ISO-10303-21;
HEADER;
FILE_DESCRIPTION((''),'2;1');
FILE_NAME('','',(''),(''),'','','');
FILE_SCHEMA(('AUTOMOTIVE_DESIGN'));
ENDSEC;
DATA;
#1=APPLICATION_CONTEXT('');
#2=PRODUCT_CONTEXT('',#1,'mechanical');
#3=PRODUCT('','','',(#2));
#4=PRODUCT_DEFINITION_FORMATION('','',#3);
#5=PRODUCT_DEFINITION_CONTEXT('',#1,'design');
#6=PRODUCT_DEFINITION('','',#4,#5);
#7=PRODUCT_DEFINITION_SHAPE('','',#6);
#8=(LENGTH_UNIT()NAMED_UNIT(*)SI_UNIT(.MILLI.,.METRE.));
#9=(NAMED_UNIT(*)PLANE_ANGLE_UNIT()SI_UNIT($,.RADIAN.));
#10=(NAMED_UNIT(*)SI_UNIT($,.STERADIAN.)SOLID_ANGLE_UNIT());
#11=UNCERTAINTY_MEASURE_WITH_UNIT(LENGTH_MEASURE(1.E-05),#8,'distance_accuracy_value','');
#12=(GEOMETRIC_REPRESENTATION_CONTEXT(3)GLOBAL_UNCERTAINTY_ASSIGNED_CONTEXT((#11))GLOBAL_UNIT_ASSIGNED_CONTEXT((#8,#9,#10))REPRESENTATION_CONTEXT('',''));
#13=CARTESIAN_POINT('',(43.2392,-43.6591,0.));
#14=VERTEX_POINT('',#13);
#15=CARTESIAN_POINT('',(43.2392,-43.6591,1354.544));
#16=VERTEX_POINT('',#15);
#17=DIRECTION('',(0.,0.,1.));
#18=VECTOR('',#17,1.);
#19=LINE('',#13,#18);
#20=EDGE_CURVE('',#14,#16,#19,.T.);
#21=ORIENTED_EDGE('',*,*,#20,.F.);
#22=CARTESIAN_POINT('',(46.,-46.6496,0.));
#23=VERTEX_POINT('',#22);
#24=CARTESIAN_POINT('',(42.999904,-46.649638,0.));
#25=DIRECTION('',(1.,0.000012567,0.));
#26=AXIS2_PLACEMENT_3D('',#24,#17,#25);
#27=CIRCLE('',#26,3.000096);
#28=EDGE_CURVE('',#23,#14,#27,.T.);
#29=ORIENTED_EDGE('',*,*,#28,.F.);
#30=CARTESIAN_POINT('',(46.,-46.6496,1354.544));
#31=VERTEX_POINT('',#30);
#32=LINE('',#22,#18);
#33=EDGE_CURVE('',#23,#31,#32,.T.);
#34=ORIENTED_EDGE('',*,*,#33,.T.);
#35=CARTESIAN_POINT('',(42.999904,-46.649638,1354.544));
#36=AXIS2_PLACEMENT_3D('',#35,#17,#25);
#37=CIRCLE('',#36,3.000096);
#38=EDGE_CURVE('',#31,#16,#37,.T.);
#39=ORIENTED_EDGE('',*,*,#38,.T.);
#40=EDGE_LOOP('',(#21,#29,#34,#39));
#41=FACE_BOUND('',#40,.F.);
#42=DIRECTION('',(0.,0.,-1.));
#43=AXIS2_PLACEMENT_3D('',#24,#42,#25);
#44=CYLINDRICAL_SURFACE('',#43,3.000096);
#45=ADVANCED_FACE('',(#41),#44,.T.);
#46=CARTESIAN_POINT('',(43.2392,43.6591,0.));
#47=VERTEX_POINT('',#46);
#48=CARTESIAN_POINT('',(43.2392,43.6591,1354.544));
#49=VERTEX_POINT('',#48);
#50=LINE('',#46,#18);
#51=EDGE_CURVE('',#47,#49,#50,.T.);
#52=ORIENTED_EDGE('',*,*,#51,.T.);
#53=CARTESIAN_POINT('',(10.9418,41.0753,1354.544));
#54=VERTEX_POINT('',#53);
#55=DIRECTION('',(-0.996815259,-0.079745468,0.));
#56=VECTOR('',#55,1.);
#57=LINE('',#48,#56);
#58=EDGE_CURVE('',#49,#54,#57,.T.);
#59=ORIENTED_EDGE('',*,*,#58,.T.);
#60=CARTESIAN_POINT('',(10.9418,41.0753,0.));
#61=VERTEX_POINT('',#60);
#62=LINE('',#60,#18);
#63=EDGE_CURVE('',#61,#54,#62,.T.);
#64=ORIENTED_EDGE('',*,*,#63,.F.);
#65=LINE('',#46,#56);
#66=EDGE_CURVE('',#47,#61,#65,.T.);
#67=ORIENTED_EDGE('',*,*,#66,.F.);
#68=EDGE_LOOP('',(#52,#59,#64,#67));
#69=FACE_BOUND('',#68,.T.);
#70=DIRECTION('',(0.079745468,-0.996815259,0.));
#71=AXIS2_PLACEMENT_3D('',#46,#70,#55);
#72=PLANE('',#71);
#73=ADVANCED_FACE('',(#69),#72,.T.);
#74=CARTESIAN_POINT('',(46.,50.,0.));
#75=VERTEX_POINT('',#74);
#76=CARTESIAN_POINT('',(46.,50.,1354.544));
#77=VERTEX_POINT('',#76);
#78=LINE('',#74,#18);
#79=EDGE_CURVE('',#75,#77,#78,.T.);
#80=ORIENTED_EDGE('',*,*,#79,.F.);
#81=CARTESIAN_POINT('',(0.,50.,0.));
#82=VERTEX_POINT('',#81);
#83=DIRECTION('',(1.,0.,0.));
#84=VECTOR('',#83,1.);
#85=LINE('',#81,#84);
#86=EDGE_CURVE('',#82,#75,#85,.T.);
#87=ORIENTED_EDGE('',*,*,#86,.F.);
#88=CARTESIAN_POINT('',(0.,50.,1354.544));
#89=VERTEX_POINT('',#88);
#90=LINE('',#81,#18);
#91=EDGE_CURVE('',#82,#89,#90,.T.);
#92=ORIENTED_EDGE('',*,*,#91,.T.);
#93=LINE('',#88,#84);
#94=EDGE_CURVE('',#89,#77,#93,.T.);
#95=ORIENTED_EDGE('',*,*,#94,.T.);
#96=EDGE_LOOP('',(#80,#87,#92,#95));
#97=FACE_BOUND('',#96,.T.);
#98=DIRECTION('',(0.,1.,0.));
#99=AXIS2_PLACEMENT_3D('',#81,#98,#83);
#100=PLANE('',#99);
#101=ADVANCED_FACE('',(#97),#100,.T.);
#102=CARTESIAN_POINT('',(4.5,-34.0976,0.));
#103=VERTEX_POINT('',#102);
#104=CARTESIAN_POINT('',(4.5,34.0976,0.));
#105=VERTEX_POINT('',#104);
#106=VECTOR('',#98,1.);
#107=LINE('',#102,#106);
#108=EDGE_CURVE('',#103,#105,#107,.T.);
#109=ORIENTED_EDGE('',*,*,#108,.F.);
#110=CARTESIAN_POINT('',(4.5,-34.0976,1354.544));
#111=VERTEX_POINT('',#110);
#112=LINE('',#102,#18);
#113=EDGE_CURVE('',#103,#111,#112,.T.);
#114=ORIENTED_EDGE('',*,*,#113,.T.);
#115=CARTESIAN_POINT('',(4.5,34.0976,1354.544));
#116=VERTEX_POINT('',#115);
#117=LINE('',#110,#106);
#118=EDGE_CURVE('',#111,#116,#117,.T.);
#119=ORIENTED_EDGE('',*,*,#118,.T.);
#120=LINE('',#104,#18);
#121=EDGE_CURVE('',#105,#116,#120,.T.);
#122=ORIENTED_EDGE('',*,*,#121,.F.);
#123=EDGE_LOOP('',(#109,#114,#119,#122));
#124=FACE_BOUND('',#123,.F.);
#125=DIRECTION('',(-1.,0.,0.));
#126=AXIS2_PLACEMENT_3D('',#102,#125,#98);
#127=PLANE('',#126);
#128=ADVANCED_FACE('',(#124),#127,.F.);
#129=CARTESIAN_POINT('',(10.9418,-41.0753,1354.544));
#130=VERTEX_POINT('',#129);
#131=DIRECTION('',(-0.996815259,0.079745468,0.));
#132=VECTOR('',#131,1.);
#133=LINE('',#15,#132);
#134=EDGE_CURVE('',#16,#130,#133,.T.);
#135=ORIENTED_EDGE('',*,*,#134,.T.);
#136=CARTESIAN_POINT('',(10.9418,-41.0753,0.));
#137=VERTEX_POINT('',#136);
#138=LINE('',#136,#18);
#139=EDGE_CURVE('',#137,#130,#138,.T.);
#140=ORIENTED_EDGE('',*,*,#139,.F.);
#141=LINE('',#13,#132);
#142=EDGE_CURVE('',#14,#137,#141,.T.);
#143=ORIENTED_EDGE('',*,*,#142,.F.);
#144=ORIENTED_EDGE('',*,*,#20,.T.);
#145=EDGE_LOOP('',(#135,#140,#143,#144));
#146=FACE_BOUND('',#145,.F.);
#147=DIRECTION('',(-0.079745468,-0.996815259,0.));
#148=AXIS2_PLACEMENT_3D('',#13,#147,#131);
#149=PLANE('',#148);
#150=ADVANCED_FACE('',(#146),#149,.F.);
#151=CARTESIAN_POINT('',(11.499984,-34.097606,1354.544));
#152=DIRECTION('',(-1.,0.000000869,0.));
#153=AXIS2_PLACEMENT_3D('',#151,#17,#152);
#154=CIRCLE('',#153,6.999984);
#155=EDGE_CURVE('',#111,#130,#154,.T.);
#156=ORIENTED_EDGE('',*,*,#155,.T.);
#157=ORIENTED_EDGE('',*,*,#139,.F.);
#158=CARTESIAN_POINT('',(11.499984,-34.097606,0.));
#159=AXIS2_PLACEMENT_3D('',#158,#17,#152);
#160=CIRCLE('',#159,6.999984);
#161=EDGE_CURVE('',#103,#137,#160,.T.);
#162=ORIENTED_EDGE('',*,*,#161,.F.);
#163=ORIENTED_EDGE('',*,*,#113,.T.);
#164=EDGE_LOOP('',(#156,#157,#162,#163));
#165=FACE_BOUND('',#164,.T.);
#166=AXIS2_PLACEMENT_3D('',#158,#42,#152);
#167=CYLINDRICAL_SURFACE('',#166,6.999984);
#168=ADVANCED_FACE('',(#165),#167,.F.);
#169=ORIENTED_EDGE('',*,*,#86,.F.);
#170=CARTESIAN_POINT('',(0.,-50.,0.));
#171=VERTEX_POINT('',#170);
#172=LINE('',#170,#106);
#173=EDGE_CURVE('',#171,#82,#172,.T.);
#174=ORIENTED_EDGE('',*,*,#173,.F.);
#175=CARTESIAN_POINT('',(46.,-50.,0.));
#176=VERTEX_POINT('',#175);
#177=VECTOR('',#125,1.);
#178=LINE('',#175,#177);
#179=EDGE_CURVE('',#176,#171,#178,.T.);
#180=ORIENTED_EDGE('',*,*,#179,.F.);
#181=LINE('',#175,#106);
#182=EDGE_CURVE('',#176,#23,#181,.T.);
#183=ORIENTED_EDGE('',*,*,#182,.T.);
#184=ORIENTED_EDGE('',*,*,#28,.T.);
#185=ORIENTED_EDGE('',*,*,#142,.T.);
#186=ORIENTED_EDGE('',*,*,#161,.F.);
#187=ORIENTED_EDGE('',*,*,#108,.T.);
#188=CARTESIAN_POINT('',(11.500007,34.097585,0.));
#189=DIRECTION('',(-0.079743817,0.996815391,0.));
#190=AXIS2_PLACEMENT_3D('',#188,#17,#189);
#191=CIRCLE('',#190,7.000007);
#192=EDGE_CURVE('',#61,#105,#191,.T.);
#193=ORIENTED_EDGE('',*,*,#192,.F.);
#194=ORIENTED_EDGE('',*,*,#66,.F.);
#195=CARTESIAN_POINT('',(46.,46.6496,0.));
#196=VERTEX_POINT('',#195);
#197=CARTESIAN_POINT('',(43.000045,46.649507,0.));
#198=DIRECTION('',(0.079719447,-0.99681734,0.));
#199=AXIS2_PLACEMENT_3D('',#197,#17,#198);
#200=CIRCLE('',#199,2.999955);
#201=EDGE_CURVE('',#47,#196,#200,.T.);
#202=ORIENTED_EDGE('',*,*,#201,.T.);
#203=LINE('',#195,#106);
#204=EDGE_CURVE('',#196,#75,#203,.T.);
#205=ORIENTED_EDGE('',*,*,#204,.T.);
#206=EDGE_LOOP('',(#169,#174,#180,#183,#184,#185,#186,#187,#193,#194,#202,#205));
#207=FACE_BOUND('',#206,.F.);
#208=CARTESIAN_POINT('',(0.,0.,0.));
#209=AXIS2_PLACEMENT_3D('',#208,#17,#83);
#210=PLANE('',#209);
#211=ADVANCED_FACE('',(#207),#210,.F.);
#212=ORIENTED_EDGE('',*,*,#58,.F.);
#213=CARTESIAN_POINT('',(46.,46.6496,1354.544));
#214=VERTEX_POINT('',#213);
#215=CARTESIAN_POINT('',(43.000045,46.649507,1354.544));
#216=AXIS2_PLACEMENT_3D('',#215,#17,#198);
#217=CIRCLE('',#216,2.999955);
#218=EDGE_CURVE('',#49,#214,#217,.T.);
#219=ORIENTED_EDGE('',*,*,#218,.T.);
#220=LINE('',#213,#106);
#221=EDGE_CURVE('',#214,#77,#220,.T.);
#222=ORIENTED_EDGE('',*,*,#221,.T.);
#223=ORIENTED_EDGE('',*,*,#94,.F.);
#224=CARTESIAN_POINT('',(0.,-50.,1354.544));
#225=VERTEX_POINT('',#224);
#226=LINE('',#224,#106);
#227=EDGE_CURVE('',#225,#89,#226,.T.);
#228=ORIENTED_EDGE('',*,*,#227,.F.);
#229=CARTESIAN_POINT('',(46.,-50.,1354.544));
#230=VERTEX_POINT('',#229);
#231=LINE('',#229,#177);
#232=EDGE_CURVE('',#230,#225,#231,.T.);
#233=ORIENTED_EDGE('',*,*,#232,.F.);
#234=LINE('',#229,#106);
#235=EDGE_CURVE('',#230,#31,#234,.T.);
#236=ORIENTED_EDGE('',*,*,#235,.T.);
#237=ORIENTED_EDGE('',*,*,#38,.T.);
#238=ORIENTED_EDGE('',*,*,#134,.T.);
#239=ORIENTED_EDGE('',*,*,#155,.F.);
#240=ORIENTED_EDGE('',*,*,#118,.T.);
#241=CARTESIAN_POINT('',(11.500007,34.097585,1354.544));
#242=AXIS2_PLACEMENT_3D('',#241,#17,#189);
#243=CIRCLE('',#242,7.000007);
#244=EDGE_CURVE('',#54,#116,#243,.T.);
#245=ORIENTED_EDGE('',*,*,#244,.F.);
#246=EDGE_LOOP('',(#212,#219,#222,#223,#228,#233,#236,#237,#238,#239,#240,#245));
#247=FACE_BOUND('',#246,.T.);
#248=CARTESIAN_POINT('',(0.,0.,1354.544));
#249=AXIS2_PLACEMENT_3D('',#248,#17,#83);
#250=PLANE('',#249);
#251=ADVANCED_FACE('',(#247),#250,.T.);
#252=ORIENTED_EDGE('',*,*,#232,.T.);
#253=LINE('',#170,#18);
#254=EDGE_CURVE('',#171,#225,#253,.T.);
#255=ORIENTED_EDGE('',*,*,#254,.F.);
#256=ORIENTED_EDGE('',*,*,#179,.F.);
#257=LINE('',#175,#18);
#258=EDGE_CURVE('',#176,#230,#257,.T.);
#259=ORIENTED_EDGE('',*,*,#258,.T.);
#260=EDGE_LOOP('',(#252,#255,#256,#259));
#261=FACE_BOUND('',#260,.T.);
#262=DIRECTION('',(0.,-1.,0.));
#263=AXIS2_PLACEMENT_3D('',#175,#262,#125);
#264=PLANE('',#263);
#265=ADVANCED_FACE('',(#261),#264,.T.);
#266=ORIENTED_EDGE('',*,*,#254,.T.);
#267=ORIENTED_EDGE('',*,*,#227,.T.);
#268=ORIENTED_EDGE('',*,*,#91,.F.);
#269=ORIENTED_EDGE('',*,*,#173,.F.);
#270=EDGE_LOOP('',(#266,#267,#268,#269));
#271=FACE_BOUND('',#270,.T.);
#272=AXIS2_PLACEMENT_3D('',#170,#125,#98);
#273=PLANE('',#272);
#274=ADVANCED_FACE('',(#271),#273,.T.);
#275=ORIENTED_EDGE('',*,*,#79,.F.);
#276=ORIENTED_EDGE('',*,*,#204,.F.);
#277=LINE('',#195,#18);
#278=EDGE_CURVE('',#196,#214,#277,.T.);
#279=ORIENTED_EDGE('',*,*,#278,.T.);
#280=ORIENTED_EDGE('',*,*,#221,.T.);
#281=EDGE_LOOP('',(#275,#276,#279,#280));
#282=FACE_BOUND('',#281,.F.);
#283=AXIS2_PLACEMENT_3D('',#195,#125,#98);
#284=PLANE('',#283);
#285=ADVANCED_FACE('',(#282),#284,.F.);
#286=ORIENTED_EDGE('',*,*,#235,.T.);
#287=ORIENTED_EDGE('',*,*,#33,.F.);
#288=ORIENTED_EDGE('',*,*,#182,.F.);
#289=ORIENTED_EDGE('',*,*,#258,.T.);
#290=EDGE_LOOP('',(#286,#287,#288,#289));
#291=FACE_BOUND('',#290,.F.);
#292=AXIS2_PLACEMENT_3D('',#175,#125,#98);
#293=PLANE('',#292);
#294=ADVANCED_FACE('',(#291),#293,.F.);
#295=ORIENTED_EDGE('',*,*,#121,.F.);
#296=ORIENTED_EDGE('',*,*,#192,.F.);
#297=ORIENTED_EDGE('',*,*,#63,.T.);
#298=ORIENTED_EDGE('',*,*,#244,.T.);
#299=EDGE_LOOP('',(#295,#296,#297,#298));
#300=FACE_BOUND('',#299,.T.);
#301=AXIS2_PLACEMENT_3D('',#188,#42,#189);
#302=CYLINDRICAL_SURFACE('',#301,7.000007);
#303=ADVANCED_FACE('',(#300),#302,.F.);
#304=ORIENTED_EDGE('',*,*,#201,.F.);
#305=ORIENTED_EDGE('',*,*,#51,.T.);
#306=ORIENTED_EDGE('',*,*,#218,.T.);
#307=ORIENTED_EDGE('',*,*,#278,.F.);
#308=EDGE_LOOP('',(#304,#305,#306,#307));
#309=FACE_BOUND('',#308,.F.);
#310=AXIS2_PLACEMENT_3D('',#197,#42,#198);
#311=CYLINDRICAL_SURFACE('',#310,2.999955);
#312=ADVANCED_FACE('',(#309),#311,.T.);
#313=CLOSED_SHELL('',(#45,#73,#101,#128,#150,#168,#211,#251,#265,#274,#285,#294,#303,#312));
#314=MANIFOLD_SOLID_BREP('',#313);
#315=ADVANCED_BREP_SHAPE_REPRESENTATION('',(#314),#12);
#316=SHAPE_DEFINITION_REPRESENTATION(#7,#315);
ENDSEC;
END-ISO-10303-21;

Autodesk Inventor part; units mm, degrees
ref_plane "YZ Plane" through (0, 0, 0) normal (1, 0, 0) x (0, 1, 0)
ref_plane "Начальная плоскость" through (0, 0, 0) normal (0, 0, 1) x (1, 0, 0)
ref_plane "Конечная плоскость" through (0, 0, 1354.544) normal (0, 0, 1) x (1, 0, 0)
sketch "Эскиз" plane through (0, 0, 0) normal (0, 0, 1) x (1, 0, 0)
  line L0 (46, -50) -> (0, -50)
  line L1 (46, -50) -> (46, -46.6496)
  line L2 (43.2392, -43.6591) -> (10.9418, -41.0753)
  line L3 (4.5, -34.0976) -> (4.5, 34.0976)
  line L4 (43.2392, 43.6591) -> (10.9418, 41.0753)
  line L5 (46, 46.6496) -> (46, 50)
  line L6 (0, 50) -> (46, 50)
  line L7 (0, -50) -> (0, 50)
  arc A0 (4.5, -34.0976) -> (10.9418, -41.0753) centre (11.5, -34.0976) ccw
  arc A1 (10.9418, 41.0753) -> (4.5, 34.0976) centre (11.5, 34.0976) ccw
  arc A2 (46, -46.6496) -> (43.2392, -43.6591) centre (43, -46.6496) ccw
  arc A3 (43.2392, 43.6591) -> (46, 46.6496) centre (43, 46.6496) ccw
  line L8 (0, 70) -> (0, -70) construction
  line L9 (-9.3169, 0) -> (55.9016, 0) construction
  point P0 (46, -43.88)
  point P1 (4.5, -40.56)
  point P2 (4.5, 40.56)
  point P3 (46, 43.88)
  dimension "d3" = 46
  dimension "d5" = 4.5
  dimension "d7" = 100
  dimension "d9" = 9.44
  dimension "d11" = 9.44
  dimension "d13" = 6.12
  dimension "d15" = 6.12
  dimension "d22" = 7
  dimension "d23" = 3
  dimension "d24" = 50
  dimension "d25" = 0
extrude "Тело" add sketch "Эскиз" along normal up to surface (1354.544 mm away) from surface at 0
sketch "Sketch3" plane through (0, 0, 0) normal (0, 0, 1) x (1, 0, 0)
  line L0 (0, 0) -> (10, 0)
ref_plane "Work Plane7" through (0, 0, 0) normal (0, -1, 0) x (1, 0, 0)
sketch "Sketch4" plane through (0, 0, 0) normal (0, -1, 0) x (1, 0, 0)
  line L0 (-2, 0) -> (12, 0)
  line L1 (-2, 1354.544) -> (12, 1354.544)
  dimension "d29" = 1354.544
equation "\"d3\" = b"
equation "\"d5\" = t1"
equation "\"d7\" = ParH"
equation "\"d9\" = msp_x1 + t2"
equation "\"d11\" = msp_x1 + t2"
equation "\"d13\" = -msp_x2 + t2"
equation "\"d15\" = -msp_x2 + t2"
equation "\"d22\" = R"
equation "\"d23\" = R1"
equation "\"d24\" = 0.5 * d7"
equation "\"d16\" = G_L"
equation "\"R1\" = 3"
equation "\"R\" = 7"
equation "\"t1\" = 4.5"
equation "\"t2\" = 7.6"
equation "\"ParH\" = 100"
equation "\"b\" = 46"
equation "\"msp_x1\" = 0.04 * b"
equation "\"msp_x2\" = -0.08 * t1 + 0.04 * b"
equation "\"G_L\" = d29"
equation "\"ex\" = 0"
equation "\"G_OFFSET_START\" = 0"
equation "\"G_OFFSET_END\" = 0"
equation "\"d27\" = G_OFFSET_END + B_L"
equation "\"B_L\" = 1354.544"
properties part number "Швеллер 10U-1354,54 ГОСТ 8240-97" material "Сталь, мягкая"
